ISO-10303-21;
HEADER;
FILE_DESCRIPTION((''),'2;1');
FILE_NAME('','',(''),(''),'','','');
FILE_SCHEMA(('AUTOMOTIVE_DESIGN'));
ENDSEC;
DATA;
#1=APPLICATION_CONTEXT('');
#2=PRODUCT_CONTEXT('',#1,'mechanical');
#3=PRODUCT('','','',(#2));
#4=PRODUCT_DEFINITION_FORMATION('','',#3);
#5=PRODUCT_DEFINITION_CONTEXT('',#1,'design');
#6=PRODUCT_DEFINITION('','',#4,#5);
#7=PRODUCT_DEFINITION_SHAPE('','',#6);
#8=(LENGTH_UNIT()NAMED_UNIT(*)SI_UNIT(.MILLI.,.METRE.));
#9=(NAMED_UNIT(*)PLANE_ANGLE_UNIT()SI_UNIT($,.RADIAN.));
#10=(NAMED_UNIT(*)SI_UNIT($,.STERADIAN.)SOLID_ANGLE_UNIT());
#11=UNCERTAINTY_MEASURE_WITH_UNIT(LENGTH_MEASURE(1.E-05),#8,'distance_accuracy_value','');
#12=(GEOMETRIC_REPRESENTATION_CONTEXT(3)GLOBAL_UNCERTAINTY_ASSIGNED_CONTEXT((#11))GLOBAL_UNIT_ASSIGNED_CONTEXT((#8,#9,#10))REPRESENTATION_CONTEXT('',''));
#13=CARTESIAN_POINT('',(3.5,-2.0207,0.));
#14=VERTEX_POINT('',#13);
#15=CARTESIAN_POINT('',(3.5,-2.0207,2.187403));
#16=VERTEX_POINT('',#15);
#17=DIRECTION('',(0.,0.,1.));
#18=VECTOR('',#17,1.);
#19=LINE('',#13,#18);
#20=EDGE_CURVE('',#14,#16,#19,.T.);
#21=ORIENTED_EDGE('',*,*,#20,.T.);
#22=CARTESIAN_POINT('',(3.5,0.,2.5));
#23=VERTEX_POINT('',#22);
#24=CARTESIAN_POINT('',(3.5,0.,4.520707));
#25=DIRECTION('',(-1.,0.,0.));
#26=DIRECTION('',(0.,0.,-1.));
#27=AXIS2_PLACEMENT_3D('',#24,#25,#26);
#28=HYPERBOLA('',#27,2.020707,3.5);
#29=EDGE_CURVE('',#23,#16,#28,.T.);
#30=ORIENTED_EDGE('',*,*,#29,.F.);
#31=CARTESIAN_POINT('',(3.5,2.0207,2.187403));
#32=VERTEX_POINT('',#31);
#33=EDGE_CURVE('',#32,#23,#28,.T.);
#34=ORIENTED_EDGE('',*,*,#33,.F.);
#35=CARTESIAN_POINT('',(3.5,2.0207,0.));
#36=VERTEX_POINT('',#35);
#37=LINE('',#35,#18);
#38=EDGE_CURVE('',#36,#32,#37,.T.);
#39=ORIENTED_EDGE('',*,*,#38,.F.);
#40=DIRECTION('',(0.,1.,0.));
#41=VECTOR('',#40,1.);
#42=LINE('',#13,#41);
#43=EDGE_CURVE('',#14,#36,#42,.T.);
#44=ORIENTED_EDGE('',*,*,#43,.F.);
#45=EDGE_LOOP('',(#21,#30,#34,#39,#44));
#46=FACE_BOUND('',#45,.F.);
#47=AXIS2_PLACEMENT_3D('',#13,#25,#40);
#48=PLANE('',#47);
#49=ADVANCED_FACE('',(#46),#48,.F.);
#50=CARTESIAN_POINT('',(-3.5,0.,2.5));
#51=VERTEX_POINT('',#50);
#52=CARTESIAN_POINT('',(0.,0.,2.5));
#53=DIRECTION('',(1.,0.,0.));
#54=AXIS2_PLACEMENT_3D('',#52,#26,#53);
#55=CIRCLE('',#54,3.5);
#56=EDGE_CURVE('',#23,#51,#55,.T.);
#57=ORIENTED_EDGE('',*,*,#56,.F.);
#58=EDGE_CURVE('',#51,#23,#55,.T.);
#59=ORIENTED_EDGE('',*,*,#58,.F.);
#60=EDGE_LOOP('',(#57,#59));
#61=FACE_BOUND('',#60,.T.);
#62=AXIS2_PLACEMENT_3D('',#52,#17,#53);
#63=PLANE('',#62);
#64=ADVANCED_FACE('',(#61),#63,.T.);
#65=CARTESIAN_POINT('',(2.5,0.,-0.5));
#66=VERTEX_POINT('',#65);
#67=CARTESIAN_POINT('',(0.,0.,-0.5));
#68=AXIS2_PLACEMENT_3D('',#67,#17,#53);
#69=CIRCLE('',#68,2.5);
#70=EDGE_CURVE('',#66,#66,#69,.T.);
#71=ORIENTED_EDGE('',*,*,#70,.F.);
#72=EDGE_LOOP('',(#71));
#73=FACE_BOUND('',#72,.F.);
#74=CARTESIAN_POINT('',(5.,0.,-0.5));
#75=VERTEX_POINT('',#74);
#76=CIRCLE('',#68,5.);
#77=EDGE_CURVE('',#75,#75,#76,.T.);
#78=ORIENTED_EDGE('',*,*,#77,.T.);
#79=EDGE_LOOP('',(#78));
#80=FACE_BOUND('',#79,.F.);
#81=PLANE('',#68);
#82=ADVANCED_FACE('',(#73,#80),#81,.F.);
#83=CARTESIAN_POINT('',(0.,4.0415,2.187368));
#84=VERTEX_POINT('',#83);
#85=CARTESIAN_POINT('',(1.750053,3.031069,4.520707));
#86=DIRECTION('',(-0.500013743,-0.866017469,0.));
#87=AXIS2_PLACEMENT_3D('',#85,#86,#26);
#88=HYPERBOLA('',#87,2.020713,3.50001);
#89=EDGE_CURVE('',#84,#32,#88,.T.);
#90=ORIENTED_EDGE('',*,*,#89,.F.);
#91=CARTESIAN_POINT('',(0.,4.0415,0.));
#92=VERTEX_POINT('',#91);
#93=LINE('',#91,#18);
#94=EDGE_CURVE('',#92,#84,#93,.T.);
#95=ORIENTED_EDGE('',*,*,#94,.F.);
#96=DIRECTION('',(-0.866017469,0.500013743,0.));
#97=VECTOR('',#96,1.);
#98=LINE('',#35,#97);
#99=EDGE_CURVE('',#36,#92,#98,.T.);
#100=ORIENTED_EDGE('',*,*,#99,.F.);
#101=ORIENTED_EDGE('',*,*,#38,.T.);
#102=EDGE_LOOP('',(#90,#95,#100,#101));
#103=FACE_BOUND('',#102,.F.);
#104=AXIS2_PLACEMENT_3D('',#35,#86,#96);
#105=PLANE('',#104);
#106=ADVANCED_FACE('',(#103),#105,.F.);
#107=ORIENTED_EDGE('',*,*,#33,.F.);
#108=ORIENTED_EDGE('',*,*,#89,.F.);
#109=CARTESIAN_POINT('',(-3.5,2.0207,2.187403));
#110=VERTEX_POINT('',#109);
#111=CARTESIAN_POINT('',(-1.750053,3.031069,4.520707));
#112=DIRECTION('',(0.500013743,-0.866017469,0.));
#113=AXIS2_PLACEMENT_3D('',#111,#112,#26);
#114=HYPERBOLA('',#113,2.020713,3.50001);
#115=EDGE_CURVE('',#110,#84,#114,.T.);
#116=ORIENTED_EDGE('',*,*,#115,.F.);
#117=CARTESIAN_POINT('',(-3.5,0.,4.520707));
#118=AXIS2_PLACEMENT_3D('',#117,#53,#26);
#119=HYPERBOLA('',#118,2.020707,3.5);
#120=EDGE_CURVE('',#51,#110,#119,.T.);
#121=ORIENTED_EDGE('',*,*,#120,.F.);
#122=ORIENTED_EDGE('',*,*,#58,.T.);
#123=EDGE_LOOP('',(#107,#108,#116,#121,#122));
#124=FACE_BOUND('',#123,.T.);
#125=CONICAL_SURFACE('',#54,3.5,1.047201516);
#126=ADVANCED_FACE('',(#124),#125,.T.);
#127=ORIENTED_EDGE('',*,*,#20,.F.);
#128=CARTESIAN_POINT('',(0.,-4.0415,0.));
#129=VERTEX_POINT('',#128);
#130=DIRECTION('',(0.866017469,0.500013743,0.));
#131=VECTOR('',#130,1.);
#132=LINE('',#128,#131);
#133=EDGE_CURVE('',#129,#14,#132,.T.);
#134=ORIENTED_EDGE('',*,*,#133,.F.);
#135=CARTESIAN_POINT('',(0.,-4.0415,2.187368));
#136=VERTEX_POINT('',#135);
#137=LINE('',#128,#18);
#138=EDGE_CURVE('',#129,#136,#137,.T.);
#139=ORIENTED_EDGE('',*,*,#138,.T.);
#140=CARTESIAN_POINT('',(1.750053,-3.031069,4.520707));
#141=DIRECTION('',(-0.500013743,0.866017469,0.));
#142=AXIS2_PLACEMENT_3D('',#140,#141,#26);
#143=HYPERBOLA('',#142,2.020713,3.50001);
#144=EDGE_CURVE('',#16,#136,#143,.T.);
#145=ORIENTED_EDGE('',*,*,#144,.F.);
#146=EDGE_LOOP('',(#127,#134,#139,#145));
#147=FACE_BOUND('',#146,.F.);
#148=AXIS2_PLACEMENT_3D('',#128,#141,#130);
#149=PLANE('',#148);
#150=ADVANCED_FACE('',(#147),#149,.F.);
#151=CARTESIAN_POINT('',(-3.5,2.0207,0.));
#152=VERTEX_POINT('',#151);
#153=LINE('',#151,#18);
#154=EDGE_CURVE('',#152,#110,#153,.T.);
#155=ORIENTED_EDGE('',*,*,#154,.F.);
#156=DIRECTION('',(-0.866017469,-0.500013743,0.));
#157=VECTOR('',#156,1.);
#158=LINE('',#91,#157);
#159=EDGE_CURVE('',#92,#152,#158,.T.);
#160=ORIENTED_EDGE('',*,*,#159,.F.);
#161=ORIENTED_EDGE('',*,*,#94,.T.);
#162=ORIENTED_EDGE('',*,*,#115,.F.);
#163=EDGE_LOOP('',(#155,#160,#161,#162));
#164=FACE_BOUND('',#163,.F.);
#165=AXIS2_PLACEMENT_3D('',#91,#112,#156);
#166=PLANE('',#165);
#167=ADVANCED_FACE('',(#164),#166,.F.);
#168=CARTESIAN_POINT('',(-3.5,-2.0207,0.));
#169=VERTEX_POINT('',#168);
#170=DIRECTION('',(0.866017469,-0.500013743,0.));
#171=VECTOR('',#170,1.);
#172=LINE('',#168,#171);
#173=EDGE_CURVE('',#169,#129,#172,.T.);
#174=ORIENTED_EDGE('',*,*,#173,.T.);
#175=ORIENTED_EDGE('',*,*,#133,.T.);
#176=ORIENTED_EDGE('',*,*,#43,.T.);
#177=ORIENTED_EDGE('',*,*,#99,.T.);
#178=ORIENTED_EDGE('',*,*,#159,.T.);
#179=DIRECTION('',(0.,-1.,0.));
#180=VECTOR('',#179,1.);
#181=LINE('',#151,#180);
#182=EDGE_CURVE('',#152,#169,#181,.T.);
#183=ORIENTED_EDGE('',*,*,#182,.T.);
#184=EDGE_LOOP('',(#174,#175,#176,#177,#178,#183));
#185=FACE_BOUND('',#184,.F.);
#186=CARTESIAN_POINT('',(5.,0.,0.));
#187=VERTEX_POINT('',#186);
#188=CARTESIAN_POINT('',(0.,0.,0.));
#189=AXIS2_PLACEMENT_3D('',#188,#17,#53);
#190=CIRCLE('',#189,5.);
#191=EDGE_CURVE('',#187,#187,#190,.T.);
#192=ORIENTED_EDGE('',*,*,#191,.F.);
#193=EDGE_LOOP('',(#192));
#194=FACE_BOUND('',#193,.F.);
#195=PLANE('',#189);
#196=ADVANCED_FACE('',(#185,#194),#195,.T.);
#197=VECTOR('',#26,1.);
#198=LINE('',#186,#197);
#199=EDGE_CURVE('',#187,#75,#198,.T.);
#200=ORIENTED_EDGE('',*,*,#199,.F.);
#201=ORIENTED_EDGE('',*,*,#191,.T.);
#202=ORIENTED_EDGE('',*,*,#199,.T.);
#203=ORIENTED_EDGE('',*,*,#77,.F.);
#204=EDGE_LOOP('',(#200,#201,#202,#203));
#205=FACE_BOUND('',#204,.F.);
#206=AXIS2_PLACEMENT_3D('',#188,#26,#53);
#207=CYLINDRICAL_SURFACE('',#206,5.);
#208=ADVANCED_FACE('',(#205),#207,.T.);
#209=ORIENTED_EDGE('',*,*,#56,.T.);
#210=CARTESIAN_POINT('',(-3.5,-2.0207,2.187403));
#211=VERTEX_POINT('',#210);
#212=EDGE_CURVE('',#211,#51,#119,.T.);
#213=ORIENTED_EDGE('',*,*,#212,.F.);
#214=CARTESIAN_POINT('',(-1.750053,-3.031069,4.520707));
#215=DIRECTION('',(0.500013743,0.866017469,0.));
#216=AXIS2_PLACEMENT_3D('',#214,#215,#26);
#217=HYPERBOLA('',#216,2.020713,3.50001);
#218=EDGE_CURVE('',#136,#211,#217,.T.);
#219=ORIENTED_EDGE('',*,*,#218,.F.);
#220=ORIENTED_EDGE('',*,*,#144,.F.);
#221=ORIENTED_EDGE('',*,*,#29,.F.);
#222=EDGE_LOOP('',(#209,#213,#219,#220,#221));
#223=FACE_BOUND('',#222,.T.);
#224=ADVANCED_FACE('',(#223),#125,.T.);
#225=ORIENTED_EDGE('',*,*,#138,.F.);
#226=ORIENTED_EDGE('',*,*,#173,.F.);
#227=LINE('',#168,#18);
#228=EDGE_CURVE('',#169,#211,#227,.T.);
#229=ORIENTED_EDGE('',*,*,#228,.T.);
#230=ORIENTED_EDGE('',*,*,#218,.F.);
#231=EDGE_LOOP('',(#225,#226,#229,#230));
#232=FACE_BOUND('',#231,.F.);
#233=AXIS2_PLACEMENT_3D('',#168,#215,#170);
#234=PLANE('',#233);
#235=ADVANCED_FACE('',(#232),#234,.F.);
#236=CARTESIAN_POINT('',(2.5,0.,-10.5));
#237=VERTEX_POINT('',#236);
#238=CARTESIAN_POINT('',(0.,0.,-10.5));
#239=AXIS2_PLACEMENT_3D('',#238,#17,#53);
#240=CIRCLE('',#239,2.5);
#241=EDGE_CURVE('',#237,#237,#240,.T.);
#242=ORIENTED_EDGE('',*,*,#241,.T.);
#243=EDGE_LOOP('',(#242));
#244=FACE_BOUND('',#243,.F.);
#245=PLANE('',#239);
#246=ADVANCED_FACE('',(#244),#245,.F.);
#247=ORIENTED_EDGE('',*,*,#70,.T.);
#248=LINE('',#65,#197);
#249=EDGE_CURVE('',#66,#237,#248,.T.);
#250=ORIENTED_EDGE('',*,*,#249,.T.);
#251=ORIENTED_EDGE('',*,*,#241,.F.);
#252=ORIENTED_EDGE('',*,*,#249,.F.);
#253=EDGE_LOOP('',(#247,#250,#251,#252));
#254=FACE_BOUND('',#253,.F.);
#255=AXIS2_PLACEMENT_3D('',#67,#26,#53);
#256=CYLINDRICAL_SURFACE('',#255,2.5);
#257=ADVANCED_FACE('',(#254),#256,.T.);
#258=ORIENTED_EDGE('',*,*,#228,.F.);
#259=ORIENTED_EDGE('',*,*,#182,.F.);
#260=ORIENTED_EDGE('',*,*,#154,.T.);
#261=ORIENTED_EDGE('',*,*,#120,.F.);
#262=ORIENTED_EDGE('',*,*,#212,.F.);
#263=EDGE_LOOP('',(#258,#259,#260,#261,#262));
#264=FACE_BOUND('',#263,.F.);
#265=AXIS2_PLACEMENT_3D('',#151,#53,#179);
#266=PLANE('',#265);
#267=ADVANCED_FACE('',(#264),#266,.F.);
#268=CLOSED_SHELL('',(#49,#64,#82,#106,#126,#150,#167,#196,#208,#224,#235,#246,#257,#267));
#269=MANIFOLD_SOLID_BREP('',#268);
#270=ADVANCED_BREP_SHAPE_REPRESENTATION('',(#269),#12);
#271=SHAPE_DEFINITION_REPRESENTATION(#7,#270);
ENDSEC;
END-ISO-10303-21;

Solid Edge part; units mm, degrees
sketch "Sketch1" plane through (0, 0, 0) normal (0, -1, 0) x (1, 0, 0)
  line L0 (2.5, -0.5) -> (2.5, -10.5)
  line L1 (2.5, -10.5) -> (0, -10.5)
  line L2 (0, -10.5) -> (0, 0)
  line L3 (0, 0) -> (5, 0)
  line L4 (5, 0) -> (5, -0.5)
  line L5 (5, -0.5) -> (2.5, -0.5)
revolve "RevolvedProtrusion1" add sketch "Sketch1" angle 360 about axis through (0, 0, -10.5) along (0, 0, 1)
sketch "Sketch2" plane through (0, 0, 0) normal (0, 0, 1) x (-1, 0, 0)
  line L0 (3.5, -2.0207) -> (3.5, 2.0207)
  line L1 (3.5, 2.0207) -> (0, 4.0415)
  line L2 (0, 4.0415) -> (-3.5, 2.0207)
  line L3 (-3.5, 2.0207) -> (-3.5, -2.0207)
  line L4 (-3.5, -2.0207) -> (0, -4.0415)
  line L5 (0, -4.0415) -> (3.5, -2.0207)
extrude "Protrusion1" add sketch "Sketch2" along normal blind 2.5
sketch "Sketch3" plane through (0, 0, 0) normal (0, -1, 0) x (1, 0, 0)
  line L0 (6.0981, 2.5) -> (3.5, 2.5)
  line L1 (3.5, 2.5) -> (6.0981, 1)
  line L2 (6.0981, 1) -> (6.0981, 2.5)
revolve "RevolvedCutout1" cut sketch "Sketch3" angle 360 about axis through (0, 0, 3.8117) along (0, 0, -1)
